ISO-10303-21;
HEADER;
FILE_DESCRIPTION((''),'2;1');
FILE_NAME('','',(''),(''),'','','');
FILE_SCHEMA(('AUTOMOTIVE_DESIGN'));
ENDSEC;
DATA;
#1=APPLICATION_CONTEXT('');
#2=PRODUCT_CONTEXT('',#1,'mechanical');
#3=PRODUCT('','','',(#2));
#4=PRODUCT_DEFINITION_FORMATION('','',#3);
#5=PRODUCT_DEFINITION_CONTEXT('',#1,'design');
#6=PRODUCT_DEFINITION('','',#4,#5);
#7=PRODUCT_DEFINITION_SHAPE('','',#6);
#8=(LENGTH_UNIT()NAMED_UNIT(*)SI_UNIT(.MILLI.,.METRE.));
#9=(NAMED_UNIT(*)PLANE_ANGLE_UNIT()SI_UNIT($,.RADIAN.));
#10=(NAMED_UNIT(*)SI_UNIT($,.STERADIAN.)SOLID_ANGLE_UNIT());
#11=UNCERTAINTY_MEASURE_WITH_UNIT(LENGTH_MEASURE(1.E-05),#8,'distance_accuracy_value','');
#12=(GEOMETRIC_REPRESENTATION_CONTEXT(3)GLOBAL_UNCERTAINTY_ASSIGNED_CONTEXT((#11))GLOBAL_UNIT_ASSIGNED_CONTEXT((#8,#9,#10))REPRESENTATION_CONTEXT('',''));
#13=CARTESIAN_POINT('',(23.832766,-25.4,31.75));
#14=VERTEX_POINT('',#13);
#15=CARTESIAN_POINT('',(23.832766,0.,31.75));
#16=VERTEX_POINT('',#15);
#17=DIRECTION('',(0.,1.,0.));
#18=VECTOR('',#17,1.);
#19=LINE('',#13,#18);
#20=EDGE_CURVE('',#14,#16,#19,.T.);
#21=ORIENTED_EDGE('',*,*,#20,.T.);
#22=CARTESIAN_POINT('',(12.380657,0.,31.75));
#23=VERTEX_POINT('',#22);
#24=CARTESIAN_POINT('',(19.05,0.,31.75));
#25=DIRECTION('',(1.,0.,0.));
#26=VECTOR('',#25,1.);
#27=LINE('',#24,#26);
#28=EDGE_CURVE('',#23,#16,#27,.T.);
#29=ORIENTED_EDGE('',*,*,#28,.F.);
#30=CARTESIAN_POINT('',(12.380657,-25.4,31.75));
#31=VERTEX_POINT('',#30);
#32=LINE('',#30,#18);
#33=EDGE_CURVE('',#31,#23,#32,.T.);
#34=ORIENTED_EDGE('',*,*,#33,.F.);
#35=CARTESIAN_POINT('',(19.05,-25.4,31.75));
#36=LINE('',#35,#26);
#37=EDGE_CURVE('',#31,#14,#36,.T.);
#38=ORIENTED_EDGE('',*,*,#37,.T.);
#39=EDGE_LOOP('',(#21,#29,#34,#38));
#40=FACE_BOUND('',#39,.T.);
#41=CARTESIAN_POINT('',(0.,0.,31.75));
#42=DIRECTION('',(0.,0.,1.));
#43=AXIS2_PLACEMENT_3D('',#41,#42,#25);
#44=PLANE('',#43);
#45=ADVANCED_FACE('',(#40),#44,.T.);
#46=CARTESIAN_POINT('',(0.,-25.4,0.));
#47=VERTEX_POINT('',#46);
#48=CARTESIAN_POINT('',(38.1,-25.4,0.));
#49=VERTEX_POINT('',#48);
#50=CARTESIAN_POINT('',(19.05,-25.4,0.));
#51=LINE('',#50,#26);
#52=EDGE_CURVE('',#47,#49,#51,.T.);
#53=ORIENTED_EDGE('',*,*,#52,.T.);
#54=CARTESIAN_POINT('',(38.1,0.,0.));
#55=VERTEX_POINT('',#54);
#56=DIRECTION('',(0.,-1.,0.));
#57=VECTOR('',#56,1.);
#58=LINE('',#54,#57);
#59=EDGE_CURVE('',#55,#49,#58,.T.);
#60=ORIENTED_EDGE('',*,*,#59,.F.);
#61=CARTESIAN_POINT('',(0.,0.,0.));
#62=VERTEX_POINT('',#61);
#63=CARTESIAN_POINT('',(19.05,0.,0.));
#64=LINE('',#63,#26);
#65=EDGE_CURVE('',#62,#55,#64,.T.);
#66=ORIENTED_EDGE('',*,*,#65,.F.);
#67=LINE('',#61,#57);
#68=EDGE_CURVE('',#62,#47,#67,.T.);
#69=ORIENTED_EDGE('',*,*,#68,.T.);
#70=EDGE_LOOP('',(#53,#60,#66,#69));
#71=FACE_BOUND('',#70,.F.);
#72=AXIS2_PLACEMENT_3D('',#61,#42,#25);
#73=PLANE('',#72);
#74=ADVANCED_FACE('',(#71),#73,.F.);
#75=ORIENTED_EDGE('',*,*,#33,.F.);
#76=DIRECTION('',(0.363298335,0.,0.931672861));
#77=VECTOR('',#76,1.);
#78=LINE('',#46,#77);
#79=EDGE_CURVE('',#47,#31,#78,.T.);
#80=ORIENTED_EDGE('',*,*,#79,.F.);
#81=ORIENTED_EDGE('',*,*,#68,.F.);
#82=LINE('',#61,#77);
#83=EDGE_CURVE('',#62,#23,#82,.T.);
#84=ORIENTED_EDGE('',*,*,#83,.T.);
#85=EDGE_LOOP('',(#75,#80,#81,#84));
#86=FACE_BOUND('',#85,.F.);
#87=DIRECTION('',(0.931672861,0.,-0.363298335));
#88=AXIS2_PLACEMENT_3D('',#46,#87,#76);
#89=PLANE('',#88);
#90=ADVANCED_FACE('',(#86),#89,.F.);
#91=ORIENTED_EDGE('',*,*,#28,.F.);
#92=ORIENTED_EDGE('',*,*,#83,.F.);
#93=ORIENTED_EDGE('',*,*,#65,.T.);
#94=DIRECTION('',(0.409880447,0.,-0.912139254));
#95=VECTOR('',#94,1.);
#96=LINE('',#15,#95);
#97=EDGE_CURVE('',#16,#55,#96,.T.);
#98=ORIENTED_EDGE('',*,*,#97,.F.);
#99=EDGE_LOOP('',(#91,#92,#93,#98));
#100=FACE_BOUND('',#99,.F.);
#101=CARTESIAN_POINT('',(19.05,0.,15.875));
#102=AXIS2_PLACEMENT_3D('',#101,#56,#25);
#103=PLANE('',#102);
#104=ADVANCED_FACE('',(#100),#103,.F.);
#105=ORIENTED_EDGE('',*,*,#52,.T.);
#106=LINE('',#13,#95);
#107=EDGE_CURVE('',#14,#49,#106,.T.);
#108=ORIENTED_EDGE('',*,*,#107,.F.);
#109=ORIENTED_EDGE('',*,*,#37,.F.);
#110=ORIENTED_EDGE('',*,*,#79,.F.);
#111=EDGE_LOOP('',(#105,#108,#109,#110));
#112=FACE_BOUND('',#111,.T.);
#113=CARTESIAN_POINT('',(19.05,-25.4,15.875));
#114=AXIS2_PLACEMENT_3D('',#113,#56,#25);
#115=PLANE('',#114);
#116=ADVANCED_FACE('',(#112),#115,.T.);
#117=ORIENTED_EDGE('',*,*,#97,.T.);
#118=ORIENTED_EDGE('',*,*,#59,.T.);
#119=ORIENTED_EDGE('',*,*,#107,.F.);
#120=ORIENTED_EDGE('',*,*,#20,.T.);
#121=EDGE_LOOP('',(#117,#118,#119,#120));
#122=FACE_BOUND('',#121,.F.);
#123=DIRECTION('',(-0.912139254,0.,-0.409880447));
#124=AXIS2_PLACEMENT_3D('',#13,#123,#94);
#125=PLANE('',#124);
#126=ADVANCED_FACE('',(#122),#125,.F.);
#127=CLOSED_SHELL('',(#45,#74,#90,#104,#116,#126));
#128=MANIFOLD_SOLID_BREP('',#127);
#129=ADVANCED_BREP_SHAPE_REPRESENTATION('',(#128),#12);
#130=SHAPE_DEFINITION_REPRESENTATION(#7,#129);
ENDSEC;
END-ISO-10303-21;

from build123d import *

# Parameters (mm, degrees)
F0_W     = 38.1
F0_H     = 31.75
F1_DEPTH = 25.4
F3_DEPTH = 25.4


with BuildPart() as f1:
    # F0 (on Front) → F1 (new body)
    with BuildSketch(Plane.XZ):
        with Locations((19.05, 15.875)):
            Rectangle(F0_W, F0_H)
    extrude(amount=F1_DEPTH)

    # F2 (on face) → F3 (cut)
    with BuildSketch(Plane.XZ.offset(25.4)):
        Polygon((0, 31.75), (0, 0), (12.380657, 31.75), align=None)
        Polygon((38.1, 31.75), (23.832766, 31.75), (38.1, 0), align=None)
    extrude(amount=-F3_DEPTH, mode=Mode.SUBTRACT)


solid = f1.part
